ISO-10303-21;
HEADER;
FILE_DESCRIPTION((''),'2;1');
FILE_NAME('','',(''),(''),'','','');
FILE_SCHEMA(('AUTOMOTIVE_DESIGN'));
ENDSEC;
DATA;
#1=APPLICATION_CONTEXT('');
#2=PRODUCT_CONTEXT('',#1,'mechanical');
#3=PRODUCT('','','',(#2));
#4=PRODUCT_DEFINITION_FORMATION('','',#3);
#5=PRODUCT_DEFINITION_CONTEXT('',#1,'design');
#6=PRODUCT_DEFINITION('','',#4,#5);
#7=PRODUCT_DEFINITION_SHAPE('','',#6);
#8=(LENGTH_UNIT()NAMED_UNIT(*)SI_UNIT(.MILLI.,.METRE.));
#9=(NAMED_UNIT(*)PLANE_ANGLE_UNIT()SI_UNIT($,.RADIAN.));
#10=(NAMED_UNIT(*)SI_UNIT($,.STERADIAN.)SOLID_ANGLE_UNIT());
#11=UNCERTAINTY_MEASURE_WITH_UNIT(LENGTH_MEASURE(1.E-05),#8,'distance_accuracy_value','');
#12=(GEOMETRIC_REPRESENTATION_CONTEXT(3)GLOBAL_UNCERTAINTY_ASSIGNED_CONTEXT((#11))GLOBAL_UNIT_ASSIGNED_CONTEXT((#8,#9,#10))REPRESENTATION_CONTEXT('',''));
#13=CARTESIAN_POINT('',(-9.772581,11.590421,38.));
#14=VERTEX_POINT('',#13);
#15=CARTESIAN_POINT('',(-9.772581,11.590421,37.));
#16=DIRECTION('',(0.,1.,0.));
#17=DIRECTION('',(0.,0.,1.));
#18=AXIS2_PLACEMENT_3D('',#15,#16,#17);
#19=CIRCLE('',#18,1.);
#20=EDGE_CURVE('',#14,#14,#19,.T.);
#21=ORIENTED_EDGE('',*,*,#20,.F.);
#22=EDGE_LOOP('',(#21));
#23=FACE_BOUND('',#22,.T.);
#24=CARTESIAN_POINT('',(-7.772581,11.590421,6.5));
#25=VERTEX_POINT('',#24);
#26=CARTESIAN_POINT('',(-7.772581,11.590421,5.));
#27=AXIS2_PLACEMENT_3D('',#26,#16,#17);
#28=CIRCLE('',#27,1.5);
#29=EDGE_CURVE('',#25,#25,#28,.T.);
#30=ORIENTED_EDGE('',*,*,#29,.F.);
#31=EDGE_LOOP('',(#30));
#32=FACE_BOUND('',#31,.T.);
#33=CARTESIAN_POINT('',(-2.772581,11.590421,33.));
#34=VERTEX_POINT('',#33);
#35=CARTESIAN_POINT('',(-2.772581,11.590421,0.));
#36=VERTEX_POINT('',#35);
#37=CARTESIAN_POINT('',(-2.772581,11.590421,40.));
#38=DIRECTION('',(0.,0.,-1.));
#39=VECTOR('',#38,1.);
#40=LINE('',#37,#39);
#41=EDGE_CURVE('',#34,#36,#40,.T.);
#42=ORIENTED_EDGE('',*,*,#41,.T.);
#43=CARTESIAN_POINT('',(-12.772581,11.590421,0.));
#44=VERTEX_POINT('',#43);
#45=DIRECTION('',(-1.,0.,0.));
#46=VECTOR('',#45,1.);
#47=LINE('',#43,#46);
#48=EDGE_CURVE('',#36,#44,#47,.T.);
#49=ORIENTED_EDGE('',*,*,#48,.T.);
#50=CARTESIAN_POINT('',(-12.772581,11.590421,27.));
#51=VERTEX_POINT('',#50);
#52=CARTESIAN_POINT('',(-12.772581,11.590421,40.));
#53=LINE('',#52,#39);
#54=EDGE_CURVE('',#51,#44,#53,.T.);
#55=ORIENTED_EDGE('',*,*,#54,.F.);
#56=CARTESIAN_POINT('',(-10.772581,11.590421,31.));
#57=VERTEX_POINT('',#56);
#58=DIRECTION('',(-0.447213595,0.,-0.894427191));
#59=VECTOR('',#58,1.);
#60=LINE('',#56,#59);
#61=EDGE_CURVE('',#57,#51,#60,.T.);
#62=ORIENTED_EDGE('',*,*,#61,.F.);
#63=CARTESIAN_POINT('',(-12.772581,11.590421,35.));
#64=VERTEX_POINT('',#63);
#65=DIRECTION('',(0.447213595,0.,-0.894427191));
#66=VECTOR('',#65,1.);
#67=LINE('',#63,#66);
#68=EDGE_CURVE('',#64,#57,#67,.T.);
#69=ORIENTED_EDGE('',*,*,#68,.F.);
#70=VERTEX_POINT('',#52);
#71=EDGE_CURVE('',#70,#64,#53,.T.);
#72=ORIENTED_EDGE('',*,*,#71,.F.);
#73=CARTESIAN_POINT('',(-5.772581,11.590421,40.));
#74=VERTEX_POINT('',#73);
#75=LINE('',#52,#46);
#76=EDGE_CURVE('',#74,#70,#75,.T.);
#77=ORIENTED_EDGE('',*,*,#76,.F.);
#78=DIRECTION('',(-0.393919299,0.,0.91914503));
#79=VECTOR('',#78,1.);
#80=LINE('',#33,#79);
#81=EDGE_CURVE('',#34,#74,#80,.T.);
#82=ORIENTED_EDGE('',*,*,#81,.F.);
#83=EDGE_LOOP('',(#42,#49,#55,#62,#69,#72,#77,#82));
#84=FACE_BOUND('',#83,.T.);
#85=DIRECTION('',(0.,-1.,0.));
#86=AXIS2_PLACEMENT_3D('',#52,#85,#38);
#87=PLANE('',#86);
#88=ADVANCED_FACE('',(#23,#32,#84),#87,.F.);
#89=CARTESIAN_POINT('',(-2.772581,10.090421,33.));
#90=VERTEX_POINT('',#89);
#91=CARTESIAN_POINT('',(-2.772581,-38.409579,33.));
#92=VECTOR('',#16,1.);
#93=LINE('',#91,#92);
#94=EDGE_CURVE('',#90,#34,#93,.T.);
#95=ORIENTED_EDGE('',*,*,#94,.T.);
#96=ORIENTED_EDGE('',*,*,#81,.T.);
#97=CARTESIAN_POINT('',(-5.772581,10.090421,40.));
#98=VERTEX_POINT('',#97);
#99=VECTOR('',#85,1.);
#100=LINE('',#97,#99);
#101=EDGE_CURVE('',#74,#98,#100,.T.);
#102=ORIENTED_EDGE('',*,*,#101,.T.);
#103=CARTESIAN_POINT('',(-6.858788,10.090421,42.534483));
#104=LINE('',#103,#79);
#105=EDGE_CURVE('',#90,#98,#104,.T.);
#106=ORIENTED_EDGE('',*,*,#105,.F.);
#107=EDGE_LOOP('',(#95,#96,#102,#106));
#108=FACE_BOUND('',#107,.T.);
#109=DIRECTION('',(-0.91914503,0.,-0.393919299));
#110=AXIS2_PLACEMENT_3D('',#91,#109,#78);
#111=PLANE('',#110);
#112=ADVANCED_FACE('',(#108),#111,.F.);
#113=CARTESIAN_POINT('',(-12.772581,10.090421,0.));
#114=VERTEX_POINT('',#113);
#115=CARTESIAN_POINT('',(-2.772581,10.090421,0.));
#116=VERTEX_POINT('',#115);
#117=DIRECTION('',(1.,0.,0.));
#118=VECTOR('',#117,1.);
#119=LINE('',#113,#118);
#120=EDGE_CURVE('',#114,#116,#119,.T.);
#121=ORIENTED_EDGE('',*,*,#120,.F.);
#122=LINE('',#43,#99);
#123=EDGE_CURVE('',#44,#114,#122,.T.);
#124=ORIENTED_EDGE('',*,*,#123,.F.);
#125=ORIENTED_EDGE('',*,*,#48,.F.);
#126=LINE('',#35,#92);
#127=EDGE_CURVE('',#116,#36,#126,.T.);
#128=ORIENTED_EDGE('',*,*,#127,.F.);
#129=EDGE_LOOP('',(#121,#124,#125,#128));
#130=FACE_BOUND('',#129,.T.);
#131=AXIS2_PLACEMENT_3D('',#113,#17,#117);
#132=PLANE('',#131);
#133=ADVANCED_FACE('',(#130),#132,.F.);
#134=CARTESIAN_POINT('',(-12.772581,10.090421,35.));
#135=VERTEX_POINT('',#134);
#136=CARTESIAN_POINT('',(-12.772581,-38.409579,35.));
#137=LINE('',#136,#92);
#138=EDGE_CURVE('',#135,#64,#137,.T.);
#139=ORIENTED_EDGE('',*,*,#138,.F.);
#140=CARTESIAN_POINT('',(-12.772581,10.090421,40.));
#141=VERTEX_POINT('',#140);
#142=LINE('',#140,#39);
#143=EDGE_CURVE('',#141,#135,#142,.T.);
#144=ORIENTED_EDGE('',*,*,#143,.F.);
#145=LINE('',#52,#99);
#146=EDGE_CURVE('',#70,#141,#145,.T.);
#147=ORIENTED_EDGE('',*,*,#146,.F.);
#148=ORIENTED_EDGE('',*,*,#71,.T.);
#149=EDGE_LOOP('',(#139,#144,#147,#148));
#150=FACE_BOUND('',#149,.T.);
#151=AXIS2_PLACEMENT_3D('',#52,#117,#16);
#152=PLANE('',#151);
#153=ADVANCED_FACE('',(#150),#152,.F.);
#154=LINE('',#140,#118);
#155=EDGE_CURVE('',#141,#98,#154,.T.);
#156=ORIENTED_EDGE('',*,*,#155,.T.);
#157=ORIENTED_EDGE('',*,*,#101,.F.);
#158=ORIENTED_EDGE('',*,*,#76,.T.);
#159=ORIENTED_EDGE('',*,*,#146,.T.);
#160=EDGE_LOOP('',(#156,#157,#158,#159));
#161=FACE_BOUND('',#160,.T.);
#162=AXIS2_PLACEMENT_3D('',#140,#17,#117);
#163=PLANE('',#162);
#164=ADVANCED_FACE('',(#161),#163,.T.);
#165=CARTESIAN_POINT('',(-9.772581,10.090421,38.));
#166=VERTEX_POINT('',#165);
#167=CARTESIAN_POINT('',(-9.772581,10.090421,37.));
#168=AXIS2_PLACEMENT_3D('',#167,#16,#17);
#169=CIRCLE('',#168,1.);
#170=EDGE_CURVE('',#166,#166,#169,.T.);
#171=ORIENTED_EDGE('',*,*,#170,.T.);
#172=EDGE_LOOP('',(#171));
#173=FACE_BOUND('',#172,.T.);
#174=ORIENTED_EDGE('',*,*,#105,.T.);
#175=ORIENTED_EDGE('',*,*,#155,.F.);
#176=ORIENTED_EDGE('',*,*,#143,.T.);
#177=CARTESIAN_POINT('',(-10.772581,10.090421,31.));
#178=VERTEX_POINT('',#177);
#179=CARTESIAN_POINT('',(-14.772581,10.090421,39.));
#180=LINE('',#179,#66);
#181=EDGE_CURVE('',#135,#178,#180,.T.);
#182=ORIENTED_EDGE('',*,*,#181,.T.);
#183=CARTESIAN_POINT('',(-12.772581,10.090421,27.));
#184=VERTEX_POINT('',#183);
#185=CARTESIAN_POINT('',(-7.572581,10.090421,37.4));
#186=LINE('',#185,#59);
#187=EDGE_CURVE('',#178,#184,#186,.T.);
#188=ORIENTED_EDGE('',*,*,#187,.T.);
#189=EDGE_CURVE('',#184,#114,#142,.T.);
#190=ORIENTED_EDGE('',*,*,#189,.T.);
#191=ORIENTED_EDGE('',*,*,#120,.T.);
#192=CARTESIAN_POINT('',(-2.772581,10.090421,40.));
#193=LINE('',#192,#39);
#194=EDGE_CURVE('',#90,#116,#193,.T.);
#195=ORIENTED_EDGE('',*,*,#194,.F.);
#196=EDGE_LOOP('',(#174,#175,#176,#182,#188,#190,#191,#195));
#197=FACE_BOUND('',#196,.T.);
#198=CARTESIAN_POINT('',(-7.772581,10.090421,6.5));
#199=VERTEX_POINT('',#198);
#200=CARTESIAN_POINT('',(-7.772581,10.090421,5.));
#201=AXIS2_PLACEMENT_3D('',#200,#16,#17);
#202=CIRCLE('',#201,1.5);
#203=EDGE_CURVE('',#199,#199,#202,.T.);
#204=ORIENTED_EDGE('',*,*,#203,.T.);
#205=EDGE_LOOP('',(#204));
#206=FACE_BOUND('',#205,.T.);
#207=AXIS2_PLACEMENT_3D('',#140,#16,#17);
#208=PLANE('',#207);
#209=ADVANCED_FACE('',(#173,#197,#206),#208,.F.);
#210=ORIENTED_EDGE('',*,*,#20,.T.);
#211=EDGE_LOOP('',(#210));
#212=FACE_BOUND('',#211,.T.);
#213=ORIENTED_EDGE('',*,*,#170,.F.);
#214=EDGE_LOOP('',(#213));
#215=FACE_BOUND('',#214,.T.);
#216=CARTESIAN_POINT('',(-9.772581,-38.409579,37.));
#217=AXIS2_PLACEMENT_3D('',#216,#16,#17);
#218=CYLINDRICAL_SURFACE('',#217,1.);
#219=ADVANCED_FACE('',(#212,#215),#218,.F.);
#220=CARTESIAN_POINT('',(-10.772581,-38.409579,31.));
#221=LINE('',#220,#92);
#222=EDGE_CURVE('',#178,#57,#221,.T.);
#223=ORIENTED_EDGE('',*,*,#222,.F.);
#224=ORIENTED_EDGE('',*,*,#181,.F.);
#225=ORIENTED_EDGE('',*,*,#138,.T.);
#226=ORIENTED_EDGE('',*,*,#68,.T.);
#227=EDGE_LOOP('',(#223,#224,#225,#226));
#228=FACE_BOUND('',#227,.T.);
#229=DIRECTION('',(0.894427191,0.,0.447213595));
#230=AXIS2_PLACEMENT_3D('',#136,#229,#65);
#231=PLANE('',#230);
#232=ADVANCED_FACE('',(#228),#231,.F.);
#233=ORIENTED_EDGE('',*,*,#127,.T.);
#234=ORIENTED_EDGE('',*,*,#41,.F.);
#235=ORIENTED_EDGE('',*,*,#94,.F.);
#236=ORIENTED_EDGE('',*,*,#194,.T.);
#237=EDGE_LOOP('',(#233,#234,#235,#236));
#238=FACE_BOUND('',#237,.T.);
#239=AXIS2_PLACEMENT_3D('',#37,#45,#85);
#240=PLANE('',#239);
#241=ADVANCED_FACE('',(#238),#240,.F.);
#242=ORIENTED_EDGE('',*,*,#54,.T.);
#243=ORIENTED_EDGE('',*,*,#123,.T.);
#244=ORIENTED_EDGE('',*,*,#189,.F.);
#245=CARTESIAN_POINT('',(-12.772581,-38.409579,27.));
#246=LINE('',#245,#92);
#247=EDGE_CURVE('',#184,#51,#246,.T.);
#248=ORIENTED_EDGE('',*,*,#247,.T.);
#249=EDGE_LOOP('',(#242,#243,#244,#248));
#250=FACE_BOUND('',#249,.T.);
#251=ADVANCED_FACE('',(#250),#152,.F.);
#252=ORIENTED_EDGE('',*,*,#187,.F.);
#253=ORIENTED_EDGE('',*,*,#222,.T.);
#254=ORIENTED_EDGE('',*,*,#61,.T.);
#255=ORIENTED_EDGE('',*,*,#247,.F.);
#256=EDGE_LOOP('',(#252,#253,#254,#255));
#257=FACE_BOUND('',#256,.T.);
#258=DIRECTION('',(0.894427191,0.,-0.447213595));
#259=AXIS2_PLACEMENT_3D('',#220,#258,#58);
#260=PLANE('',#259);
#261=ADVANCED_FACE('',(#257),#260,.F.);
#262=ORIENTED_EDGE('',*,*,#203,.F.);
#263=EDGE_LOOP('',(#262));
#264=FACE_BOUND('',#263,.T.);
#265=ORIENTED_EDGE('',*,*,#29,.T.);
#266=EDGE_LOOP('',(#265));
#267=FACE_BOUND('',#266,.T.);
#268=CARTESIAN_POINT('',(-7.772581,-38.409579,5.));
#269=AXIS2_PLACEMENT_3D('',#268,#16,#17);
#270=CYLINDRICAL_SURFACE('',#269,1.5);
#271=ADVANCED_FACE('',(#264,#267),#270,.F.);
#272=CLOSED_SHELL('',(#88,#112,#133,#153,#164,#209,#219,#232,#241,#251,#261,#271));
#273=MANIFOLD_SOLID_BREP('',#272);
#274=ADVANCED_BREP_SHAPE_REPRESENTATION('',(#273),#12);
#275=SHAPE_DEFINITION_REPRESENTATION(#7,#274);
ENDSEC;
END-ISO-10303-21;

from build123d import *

# Parameters (mm, degrees)
ESQUISSE1_W      = 10
ESQUISSE1_H      = 1.5
EXTRUSION1_DEPTH = 40
ESQUISSE2_R      = 1
ESQUISSE2_R_2    = 1.5
EXTRUSION2_DEPTH = 50


with BuildPart() as part:
    # Esquisse1 → Extrusion1 (new body)
    with BuildSketch(Plane.XY):
        with Locations((-7.772581117, 10.840421053)):
            Rectangle(ESQUISSE1_W, ESQUISSE1_H)
    extrude(amount=EXTRUSION1_DEPTH)

    # Esquisse2 → Extrusion2 (cut)
    with BuildSketch(Plane(origin=(0, 11.590421053, 0), x_dir=(-1, 0, 0), z_dir=(0, 1, 0))):
        with Locations(Location((9.772581117, 37, 0), (0, 0, 90))):
            Circle(ESQUISSE2_R)
        with Locations(Location((7.772581117, 5, 0), (0, 0, 90))):
            Circle(ESQUISSE2_R_2)
        Polygon((12.772581117, 35), (10.772581117, 31), (12.772581117, 27), align=None)
        Polygon((5.772581117, 40), (2.772581117, 40), (2.772581117, 33), align=None)
    extrude(amount=-EXTRUSION2_DEPTH, mode=Mode.SUBTRACT)


solid = part.part
